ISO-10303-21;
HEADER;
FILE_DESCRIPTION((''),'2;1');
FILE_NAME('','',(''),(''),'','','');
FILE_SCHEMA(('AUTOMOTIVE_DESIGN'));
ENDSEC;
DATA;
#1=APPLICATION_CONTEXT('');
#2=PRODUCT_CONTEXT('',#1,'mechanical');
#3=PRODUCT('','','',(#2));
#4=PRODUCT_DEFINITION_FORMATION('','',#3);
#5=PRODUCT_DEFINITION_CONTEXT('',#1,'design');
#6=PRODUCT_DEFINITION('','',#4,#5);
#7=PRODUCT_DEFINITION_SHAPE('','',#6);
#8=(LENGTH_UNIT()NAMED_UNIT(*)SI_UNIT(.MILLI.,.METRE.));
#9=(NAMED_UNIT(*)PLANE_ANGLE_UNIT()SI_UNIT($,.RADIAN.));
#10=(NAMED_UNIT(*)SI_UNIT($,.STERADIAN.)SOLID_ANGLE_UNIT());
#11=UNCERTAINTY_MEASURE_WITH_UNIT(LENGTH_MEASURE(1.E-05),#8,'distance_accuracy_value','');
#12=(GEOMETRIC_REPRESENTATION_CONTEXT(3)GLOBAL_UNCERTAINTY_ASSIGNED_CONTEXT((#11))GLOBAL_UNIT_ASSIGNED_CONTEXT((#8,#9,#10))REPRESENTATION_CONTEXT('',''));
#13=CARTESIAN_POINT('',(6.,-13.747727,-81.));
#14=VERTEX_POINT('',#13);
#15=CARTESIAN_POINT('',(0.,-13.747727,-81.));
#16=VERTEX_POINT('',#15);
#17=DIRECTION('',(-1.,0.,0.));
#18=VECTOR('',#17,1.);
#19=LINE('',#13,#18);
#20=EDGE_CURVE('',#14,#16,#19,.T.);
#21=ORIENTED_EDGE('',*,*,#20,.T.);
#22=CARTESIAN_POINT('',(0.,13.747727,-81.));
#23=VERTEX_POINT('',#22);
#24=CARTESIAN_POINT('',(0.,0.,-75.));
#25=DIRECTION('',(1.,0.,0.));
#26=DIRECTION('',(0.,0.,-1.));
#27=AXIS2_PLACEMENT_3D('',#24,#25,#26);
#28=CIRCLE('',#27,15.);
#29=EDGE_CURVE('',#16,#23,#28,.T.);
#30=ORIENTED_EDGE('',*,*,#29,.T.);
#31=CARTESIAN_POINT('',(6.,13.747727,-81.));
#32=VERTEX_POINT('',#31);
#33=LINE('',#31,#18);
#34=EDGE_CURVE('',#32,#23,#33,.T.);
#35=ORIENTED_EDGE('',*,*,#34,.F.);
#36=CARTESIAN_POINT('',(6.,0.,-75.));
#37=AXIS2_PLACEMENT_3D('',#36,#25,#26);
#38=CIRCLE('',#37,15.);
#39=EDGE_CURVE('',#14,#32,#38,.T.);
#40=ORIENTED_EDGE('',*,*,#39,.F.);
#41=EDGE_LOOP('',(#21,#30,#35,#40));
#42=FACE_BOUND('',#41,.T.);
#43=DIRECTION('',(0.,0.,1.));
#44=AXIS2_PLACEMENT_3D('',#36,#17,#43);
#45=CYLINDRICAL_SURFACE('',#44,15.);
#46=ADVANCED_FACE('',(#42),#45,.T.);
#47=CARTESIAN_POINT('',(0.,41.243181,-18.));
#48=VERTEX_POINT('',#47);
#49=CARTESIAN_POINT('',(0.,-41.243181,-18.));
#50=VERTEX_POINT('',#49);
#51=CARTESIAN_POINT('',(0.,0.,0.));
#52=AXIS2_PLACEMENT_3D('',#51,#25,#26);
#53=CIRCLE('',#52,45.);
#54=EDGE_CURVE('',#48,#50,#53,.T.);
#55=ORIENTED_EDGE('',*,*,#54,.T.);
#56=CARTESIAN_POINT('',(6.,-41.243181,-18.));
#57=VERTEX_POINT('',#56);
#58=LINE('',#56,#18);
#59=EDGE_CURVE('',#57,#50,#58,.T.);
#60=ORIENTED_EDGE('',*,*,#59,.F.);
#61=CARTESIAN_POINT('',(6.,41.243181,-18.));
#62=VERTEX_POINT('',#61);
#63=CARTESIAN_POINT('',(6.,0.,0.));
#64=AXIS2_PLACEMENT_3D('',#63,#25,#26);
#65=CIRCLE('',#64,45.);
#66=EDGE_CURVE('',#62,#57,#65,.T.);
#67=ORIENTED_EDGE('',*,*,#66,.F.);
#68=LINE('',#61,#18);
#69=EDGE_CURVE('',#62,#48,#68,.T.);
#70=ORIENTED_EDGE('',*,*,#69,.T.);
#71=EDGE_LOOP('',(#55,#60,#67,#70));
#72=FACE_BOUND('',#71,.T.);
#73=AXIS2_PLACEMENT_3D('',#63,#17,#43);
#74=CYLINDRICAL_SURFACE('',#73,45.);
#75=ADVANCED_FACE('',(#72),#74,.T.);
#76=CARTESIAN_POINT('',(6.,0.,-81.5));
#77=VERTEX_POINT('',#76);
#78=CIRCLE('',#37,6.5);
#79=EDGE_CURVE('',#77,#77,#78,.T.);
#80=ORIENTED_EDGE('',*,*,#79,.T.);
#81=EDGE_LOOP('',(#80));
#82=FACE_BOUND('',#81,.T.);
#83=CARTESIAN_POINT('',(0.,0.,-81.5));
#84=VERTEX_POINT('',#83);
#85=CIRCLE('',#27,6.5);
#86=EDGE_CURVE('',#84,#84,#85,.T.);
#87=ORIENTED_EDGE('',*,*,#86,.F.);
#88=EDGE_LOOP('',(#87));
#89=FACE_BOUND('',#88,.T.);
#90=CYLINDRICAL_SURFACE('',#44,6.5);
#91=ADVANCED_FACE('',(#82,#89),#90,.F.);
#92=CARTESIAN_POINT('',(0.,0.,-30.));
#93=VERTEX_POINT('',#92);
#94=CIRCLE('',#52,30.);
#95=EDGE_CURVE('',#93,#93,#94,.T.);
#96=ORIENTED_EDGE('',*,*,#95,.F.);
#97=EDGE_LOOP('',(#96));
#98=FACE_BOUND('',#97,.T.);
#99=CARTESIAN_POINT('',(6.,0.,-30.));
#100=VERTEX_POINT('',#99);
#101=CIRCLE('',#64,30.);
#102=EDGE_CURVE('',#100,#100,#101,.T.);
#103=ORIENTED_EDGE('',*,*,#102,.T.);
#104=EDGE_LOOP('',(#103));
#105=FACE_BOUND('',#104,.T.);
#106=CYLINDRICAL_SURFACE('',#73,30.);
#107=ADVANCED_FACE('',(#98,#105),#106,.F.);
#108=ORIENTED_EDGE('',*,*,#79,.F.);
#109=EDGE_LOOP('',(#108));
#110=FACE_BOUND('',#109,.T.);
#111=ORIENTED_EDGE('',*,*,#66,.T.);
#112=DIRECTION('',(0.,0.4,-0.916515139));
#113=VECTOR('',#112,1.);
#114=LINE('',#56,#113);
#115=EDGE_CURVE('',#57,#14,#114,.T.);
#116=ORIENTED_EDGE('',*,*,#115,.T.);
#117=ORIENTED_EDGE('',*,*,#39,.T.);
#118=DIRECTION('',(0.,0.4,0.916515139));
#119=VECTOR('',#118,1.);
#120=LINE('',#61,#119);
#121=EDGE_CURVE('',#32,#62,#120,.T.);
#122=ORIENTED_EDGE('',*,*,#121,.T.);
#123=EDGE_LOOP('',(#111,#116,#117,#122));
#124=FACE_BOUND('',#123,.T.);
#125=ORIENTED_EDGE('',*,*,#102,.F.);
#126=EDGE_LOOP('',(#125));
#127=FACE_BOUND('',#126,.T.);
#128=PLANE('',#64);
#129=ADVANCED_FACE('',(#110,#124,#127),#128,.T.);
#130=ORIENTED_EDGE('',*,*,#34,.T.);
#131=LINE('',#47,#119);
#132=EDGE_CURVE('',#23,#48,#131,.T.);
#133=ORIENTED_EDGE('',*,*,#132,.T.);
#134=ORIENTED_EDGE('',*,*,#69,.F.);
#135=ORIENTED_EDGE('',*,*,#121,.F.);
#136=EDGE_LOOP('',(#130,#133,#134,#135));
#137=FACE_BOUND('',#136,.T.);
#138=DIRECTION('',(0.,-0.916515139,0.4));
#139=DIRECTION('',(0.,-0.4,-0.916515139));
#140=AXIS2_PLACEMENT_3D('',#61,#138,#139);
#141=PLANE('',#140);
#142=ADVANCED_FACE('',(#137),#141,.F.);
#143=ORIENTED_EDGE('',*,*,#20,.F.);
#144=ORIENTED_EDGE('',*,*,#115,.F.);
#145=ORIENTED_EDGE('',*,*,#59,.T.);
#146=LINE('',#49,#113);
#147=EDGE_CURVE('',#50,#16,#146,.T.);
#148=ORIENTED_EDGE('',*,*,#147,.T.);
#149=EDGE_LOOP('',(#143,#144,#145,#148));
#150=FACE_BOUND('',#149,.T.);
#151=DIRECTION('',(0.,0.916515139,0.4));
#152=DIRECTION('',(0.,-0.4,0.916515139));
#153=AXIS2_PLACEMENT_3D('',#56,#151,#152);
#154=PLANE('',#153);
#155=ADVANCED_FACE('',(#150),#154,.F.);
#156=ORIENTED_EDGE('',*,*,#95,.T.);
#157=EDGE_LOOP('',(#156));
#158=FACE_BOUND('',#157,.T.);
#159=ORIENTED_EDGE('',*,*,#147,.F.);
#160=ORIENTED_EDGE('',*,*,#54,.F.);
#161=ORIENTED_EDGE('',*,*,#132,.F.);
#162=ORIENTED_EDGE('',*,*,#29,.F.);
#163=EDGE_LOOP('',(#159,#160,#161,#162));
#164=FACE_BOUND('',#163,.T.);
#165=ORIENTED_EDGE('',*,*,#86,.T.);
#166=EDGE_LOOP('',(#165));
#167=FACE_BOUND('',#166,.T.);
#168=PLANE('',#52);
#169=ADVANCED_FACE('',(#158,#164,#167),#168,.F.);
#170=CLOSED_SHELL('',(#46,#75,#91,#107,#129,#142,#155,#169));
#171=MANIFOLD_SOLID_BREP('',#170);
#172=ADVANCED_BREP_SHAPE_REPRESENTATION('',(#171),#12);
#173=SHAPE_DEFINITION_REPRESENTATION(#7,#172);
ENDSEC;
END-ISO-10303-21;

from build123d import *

# Parameters (mm, degrees)
SKETCH_1_R      = 30
SKETCH_1_R_2    = 6.5
EXTRUDE_1_DEPTH = 6


with BuildPart() as part:
    # 草图1 → 凸台-拉伸1 (new body)
    with BuildSketch(Plane(origin=(0, 0, 0), x_dir=(0, 0, -1), z_dir=(1, 0, 0))):
        with BuildLine():
            Line((18, 41.243181255), (81, 13.747727085))
            ThreePointArc((81, 13.747727085), (90, 0), (81, -13.747727085))
            Line((81, -13.747727085), (18, -41.243181255))
            ThreePointArc((18, -41.243181255), (-45, 0), (18, 41.243181255))
        make_face()
        Circle(SKETCH_1_R, mode=Mode.SUBTRACT)
        with Locations((75, 0)):
            Circle(SKETCH_1_R_2, mode=Mode.SUBTRACT)
    extrude(amount=EXTRUDE_1_DEPTH)


solid = part.part
